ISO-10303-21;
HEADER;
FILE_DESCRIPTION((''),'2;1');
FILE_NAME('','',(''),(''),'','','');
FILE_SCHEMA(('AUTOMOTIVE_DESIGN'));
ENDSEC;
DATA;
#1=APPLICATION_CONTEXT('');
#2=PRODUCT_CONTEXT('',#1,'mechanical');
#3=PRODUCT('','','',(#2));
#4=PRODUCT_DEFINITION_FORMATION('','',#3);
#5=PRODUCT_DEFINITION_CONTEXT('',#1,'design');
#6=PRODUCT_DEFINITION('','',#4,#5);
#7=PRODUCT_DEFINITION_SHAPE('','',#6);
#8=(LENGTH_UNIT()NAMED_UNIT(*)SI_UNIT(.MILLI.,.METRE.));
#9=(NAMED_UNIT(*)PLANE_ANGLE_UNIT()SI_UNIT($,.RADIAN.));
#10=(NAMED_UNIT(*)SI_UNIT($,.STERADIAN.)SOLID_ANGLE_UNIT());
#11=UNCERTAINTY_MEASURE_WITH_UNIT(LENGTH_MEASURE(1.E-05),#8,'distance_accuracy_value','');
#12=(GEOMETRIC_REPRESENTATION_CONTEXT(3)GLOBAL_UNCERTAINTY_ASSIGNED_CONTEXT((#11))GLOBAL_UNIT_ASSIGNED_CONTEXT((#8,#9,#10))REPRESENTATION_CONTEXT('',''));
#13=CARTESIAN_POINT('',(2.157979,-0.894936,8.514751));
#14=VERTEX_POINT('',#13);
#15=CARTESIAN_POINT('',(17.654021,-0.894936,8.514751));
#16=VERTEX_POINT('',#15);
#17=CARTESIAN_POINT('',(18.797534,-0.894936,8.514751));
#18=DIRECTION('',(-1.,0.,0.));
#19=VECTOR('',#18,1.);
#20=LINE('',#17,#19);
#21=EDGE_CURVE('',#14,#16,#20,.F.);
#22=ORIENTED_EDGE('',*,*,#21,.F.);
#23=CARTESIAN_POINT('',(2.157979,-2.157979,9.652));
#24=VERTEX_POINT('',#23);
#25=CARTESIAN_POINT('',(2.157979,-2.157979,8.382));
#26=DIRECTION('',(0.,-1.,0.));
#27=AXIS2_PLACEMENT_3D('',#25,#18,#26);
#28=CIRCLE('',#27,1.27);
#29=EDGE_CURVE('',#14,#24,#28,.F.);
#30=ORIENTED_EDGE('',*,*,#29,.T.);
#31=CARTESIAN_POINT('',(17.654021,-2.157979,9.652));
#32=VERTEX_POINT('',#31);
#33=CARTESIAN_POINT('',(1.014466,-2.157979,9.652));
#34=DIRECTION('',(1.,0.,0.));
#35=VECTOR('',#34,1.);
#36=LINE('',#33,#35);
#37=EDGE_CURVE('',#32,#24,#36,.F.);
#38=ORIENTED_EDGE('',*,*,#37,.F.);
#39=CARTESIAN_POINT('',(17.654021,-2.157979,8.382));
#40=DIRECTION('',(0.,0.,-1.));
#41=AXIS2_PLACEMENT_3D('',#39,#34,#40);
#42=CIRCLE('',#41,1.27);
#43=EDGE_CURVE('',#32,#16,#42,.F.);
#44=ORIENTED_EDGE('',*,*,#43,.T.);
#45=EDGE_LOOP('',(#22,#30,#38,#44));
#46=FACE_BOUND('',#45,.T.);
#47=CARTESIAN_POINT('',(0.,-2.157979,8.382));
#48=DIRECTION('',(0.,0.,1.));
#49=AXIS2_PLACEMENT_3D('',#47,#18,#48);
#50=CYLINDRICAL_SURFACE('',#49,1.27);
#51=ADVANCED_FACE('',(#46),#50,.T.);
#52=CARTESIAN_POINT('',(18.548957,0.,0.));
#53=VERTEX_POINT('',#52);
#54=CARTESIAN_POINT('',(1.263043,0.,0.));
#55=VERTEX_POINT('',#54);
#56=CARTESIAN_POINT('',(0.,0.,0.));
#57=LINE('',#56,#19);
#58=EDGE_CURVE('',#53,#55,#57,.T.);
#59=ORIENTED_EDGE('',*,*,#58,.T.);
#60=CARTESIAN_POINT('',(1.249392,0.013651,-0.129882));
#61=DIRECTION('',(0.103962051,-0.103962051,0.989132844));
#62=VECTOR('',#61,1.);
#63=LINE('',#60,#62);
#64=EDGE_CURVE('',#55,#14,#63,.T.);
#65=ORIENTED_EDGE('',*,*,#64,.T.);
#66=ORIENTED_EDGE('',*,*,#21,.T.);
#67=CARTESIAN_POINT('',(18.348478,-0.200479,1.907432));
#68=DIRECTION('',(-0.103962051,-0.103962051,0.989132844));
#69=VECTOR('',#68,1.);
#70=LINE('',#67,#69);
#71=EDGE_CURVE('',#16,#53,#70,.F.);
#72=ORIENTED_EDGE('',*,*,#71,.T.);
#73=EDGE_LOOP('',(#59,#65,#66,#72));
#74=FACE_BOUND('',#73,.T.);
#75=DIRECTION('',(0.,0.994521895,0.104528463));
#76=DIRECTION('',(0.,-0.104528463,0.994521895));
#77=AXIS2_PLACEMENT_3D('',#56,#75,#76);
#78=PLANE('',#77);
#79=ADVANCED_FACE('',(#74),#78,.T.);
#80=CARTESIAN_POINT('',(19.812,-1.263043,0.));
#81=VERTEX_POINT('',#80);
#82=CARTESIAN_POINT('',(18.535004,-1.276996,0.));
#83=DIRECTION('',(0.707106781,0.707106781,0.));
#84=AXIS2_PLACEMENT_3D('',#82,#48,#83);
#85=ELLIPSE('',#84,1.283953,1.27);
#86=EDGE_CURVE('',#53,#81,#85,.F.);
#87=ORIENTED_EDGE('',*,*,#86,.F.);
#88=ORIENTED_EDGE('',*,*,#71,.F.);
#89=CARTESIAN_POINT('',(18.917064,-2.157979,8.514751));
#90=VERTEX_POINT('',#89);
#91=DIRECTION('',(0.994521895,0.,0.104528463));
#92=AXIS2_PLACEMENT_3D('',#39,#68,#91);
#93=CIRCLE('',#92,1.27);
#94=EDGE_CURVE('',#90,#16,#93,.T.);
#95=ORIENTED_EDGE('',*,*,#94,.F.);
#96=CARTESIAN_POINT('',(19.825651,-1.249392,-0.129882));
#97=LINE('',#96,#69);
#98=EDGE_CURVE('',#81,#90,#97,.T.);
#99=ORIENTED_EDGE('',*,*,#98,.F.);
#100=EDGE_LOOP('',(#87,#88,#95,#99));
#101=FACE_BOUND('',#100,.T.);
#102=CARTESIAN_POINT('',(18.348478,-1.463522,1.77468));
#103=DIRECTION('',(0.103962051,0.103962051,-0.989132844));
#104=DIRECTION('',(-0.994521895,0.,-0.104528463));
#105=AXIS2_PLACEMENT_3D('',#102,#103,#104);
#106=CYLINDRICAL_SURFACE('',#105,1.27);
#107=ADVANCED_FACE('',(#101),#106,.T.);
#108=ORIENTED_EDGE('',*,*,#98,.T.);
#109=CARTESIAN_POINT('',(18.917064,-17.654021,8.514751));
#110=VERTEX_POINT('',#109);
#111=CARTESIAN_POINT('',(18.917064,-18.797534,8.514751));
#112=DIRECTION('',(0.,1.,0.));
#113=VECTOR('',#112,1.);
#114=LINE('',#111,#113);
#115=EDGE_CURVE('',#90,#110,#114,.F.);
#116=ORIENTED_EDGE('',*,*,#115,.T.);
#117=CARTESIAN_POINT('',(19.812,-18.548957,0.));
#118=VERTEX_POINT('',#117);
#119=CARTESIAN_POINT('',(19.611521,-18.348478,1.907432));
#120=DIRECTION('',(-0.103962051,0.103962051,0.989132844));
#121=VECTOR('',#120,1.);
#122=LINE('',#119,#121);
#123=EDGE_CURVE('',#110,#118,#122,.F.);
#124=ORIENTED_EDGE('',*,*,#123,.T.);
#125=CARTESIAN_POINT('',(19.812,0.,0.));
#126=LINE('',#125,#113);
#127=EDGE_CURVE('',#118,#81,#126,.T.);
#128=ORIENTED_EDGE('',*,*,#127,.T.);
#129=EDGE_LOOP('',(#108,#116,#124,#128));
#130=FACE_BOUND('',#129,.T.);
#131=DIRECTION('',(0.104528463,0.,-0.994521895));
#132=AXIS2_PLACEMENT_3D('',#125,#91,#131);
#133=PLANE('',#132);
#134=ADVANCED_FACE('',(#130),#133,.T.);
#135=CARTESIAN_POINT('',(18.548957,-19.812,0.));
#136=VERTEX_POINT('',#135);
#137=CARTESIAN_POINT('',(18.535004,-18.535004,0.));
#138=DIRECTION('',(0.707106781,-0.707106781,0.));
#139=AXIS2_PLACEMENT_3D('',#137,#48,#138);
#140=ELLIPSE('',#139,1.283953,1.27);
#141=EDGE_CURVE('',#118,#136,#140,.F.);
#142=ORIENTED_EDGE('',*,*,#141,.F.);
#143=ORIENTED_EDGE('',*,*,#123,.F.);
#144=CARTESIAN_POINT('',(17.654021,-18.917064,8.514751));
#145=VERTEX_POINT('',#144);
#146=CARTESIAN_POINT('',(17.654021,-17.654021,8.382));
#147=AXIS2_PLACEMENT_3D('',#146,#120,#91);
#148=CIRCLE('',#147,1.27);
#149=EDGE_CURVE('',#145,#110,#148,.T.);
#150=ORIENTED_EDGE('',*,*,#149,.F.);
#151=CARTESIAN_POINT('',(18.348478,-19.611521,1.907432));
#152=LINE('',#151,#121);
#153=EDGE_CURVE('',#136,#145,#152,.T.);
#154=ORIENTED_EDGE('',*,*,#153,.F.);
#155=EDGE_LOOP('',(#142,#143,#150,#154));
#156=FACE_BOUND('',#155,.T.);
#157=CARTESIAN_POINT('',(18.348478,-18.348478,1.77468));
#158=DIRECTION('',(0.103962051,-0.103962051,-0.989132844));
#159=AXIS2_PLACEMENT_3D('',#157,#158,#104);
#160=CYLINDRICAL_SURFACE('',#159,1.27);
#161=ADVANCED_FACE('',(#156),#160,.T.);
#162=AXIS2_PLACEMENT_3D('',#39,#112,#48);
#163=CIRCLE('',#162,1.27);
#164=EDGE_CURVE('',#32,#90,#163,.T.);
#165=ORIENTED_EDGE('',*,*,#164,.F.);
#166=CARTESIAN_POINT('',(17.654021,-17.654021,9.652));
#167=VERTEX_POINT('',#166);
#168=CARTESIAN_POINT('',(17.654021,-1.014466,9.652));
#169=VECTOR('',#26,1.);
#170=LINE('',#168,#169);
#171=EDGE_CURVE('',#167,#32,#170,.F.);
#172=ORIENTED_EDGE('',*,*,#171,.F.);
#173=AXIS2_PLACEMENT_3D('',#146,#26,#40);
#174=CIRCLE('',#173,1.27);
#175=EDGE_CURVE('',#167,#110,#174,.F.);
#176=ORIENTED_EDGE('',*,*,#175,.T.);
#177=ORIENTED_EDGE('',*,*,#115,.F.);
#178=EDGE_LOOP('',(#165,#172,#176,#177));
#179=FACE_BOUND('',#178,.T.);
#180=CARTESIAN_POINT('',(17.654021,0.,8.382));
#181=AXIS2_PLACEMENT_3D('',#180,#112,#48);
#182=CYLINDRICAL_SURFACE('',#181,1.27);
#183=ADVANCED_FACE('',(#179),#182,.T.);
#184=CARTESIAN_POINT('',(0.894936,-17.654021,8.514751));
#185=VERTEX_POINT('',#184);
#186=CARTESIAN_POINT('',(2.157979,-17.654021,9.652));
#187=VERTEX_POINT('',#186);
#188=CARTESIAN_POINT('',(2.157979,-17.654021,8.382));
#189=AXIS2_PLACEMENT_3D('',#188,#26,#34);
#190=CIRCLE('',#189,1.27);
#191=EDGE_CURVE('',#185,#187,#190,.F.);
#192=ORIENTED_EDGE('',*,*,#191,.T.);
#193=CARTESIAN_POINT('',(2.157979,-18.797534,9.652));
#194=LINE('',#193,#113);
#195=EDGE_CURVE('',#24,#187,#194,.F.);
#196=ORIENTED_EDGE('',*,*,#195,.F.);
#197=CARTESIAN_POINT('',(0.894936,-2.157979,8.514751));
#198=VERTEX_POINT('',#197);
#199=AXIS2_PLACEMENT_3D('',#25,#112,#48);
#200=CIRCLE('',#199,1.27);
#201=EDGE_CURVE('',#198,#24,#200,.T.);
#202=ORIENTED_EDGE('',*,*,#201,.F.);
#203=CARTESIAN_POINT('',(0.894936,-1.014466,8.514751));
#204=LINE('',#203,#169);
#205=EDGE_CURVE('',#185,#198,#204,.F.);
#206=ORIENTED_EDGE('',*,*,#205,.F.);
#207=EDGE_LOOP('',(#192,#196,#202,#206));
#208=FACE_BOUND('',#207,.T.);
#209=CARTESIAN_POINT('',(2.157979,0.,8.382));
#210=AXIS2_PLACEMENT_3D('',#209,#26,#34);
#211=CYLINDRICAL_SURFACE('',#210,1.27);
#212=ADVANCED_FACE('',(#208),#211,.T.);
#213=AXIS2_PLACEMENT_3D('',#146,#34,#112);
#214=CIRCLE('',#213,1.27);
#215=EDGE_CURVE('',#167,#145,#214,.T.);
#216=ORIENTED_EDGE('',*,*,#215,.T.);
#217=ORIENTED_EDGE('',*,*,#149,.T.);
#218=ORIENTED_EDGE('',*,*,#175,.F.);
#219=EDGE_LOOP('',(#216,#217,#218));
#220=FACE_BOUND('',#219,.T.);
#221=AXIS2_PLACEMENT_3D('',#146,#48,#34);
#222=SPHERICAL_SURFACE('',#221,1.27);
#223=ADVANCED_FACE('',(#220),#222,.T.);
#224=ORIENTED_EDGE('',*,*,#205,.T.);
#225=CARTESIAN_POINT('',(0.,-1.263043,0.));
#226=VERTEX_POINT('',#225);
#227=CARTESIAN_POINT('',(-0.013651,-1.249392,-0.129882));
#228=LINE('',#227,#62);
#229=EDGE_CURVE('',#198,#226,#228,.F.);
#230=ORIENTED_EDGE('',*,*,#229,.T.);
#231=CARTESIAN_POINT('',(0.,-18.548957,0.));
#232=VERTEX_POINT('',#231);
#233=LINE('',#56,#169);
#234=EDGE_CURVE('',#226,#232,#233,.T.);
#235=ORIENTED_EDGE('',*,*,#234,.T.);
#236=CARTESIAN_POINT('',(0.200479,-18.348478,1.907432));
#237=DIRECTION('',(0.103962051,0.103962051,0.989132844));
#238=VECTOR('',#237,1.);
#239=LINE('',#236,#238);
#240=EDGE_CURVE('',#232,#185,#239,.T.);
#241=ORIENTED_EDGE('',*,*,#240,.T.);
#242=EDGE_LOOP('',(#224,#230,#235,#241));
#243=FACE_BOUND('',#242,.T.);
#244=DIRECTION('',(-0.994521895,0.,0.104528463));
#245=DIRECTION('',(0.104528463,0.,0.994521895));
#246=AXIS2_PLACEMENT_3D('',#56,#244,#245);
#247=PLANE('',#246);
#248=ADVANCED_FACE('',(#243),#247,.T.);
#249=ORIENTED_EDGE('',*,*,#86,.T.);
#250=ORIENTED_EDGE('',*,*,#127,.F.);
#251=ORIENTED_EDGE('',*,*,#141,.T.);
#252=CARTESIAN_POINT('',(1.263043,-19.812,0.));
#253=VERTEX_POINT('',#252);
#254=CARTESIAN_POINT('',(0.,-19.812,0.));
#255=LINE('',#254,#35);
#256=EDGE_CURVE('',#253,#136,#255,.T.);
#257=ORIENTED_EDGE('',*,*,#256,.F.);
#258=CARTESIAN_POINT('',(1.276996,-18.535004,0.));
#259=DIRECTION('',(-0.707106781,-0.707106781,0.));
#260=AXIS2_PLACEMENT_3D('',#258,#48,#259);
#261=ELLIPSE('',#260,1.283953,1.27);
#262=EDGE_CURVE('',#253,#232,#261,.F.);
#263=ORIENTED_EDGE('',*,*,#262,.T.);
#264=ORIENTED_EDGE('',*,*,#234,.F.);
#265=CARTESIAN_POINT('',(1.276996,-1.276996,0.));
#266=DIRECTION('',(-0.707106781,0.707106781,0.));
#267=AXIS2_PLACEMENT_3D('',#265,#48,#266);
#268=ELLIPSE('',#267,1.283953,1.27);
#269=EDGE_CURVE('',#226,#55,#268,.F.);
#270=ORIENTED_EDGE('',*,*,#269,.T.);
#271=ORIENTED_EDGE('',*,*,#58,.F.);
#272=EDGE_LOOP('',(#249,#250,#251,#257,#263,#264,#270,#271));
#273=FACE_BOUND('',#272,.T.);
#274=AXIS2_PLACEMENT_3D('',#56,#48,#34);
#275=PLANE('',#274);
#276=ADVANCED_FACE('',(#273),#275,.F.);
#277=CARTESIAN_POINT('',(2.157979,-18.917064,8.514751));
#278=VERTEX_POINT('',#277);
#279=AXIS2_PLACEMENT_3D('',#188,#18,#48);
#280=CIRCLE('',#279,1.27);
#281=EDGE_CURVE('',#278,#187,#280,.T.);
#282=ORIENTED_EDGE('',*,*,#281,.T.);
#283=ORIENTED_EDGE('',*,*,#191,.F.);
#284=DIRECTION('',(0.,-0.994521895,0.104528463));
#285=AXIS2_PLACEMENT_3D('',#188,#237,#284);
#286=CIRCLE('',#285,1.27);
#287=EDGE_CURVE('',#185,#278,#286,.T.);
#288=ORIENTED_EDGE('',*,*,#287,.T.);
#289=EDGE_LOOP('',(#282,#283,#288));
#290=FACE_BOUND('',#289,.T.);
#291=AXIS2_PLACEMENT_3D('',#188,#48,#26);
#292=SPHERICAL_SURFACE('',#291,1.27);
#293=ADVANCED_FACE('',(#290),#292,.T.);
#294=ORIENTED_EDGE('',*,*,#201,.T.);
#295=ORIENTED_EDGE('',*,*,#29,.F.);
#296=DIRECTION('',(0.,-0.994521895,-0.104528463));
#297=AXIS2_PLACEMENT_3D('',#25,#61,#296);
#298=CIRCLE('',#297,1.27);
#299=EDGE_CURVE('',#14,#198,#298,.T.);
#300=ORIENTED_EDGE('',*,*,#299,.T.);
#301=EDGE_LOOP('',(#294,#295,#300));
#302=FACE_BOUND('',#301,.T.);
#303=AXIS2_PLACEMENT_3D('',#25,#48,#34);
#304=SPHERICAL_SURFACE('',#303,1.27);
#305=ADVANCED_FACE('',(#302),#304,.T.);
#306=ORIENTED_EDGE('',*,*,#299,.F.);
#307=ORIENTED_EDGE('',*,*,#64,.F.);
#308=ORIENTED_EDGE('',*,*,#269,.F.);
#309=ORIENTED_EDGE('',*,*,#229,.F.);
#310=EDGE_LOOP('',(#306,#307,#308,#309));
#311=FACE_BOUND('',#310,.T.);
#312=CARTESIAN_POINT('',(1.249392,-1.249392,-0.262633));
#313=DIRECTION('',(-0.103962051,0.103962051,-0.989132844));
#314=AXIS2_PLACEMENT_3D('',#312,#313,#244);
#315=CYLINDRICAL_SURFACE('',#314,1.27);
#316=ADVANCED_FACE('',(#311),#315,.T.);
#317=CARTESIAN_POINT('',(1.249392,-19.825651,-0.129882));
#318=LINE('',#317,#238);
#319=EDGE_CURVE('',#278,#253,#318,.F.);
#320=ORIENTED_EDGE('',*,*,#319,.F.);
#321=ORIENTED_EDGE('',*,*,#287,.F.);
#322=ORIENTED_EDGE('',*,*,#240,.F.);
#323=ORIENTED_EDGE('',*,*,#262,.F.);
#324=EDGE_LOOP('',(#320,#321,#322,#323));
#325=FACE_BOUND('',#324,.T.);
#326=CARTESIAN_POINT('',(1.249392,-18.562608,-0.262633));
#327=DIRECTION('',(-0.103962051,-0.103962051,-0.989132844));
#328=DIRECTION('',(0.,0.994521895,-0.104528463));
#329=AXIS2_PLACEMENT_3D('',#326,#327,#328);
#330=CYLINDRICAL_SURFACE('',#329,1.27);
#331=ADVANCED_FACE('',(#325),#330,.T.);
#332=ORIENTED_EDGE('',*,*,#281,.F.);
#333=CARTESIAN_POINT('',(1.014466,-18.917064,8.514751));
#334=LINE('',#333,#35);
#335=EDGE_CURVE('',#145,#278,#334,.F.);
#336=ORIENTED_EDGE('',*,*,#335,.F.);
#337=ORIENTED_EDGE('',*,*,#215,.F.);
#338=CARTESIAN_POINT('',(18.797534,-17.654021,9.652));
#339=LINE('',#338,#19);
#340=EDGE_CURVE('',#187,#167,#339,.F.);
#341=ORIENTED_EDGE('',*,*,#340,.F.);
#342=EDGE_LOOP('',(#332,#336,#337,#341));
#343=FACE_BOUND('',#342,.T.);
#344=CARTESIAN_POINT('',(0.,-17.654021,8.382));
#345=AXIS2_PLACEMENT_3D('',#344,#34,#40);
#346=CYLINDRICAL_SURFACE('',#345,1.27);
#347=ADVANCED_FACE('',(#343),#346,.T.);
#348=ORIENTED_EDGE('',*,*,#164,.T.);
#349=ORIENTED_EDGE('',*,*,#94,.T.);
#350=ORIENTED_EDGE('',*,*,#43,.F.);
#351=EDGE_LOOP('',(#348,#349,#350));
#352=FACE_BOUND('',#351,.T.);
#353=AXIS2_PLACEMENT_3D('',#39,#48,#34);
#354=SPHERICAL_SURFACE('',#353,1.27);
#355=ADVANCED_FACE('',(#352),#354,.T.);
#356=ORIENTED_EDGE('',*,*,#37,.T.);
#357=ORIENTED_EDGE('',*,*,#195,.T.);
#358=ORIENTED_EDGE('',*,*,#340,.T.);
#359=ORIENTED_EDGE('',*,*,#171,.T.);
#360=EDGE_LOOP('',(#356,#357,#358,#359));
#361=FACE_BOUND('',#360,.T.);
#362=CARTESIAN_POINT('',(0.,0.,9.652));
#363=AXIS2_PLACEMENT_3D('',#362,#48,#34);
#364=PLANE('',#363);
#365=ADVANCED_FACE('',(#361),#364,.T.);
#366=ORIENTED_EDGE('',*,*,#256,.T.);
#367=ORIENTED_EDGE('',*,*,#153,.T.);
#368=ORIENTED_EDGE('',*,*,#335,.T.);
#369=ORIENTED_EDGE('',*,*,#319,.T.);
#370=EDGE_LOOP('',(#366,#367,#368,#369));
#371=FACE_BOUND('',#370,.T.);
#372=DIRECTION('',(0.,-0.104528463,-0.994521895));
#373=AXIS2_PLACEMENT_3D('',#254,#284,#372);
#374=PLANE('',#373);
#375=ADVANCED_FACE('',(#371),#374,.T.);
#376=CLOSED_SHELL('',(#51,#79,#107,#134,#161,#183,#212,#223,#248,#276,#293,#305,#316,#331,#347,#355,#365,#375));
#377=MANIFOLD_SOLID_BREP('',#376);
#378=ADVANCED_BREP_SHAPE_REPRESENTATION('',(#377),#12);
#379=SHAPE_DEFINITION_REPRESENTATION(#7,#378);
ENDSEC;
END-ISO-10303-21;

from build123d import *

# Parameters (mm, degrees)
SKETCH1_W           = 19.812
SKETCH1_H           = 19.812
BOSS_EXTRUDE1_DEPTH = 9.652
BOSS_EXTRUDE1_TAPER = 6
FILLET1_R           = 1.27


with BuildPart() as part:
    # Sketch1 → Boss-Extrude1 (new body)
    with BuildSketch(Plane.XY):
        with Locations((9.906, -9.906)):
            Rectangle(SKETCH1_W, SKETCH1_H)
    extrude(amount=BOSS_EXTRUDE1_DEPTH, taper=BOSS_EXTRUDE1_TAPER)

    # Fillet1
    fillet1_edges = [part.edges().sort_by_distance(p)[0] for p in [
        (18.797533921, -9.906, 9.652),
        (9.906, -1.014466079, 9.652),
        (1.014466079, -9.906, 9.652),
        (0.507233039, -0.507233039, 4.826),
        (19.304766961, -0.507233039, 4.826),
        (19.304766961, -19.304766961, 4.826),
        (0.507233501, -19.304766499, 4.826004395),
        (9.906, -18.797533921, 9.652),
    ]]
    fillet(fillet1_edges, radius=FILLET1_R)


solid = part.part
